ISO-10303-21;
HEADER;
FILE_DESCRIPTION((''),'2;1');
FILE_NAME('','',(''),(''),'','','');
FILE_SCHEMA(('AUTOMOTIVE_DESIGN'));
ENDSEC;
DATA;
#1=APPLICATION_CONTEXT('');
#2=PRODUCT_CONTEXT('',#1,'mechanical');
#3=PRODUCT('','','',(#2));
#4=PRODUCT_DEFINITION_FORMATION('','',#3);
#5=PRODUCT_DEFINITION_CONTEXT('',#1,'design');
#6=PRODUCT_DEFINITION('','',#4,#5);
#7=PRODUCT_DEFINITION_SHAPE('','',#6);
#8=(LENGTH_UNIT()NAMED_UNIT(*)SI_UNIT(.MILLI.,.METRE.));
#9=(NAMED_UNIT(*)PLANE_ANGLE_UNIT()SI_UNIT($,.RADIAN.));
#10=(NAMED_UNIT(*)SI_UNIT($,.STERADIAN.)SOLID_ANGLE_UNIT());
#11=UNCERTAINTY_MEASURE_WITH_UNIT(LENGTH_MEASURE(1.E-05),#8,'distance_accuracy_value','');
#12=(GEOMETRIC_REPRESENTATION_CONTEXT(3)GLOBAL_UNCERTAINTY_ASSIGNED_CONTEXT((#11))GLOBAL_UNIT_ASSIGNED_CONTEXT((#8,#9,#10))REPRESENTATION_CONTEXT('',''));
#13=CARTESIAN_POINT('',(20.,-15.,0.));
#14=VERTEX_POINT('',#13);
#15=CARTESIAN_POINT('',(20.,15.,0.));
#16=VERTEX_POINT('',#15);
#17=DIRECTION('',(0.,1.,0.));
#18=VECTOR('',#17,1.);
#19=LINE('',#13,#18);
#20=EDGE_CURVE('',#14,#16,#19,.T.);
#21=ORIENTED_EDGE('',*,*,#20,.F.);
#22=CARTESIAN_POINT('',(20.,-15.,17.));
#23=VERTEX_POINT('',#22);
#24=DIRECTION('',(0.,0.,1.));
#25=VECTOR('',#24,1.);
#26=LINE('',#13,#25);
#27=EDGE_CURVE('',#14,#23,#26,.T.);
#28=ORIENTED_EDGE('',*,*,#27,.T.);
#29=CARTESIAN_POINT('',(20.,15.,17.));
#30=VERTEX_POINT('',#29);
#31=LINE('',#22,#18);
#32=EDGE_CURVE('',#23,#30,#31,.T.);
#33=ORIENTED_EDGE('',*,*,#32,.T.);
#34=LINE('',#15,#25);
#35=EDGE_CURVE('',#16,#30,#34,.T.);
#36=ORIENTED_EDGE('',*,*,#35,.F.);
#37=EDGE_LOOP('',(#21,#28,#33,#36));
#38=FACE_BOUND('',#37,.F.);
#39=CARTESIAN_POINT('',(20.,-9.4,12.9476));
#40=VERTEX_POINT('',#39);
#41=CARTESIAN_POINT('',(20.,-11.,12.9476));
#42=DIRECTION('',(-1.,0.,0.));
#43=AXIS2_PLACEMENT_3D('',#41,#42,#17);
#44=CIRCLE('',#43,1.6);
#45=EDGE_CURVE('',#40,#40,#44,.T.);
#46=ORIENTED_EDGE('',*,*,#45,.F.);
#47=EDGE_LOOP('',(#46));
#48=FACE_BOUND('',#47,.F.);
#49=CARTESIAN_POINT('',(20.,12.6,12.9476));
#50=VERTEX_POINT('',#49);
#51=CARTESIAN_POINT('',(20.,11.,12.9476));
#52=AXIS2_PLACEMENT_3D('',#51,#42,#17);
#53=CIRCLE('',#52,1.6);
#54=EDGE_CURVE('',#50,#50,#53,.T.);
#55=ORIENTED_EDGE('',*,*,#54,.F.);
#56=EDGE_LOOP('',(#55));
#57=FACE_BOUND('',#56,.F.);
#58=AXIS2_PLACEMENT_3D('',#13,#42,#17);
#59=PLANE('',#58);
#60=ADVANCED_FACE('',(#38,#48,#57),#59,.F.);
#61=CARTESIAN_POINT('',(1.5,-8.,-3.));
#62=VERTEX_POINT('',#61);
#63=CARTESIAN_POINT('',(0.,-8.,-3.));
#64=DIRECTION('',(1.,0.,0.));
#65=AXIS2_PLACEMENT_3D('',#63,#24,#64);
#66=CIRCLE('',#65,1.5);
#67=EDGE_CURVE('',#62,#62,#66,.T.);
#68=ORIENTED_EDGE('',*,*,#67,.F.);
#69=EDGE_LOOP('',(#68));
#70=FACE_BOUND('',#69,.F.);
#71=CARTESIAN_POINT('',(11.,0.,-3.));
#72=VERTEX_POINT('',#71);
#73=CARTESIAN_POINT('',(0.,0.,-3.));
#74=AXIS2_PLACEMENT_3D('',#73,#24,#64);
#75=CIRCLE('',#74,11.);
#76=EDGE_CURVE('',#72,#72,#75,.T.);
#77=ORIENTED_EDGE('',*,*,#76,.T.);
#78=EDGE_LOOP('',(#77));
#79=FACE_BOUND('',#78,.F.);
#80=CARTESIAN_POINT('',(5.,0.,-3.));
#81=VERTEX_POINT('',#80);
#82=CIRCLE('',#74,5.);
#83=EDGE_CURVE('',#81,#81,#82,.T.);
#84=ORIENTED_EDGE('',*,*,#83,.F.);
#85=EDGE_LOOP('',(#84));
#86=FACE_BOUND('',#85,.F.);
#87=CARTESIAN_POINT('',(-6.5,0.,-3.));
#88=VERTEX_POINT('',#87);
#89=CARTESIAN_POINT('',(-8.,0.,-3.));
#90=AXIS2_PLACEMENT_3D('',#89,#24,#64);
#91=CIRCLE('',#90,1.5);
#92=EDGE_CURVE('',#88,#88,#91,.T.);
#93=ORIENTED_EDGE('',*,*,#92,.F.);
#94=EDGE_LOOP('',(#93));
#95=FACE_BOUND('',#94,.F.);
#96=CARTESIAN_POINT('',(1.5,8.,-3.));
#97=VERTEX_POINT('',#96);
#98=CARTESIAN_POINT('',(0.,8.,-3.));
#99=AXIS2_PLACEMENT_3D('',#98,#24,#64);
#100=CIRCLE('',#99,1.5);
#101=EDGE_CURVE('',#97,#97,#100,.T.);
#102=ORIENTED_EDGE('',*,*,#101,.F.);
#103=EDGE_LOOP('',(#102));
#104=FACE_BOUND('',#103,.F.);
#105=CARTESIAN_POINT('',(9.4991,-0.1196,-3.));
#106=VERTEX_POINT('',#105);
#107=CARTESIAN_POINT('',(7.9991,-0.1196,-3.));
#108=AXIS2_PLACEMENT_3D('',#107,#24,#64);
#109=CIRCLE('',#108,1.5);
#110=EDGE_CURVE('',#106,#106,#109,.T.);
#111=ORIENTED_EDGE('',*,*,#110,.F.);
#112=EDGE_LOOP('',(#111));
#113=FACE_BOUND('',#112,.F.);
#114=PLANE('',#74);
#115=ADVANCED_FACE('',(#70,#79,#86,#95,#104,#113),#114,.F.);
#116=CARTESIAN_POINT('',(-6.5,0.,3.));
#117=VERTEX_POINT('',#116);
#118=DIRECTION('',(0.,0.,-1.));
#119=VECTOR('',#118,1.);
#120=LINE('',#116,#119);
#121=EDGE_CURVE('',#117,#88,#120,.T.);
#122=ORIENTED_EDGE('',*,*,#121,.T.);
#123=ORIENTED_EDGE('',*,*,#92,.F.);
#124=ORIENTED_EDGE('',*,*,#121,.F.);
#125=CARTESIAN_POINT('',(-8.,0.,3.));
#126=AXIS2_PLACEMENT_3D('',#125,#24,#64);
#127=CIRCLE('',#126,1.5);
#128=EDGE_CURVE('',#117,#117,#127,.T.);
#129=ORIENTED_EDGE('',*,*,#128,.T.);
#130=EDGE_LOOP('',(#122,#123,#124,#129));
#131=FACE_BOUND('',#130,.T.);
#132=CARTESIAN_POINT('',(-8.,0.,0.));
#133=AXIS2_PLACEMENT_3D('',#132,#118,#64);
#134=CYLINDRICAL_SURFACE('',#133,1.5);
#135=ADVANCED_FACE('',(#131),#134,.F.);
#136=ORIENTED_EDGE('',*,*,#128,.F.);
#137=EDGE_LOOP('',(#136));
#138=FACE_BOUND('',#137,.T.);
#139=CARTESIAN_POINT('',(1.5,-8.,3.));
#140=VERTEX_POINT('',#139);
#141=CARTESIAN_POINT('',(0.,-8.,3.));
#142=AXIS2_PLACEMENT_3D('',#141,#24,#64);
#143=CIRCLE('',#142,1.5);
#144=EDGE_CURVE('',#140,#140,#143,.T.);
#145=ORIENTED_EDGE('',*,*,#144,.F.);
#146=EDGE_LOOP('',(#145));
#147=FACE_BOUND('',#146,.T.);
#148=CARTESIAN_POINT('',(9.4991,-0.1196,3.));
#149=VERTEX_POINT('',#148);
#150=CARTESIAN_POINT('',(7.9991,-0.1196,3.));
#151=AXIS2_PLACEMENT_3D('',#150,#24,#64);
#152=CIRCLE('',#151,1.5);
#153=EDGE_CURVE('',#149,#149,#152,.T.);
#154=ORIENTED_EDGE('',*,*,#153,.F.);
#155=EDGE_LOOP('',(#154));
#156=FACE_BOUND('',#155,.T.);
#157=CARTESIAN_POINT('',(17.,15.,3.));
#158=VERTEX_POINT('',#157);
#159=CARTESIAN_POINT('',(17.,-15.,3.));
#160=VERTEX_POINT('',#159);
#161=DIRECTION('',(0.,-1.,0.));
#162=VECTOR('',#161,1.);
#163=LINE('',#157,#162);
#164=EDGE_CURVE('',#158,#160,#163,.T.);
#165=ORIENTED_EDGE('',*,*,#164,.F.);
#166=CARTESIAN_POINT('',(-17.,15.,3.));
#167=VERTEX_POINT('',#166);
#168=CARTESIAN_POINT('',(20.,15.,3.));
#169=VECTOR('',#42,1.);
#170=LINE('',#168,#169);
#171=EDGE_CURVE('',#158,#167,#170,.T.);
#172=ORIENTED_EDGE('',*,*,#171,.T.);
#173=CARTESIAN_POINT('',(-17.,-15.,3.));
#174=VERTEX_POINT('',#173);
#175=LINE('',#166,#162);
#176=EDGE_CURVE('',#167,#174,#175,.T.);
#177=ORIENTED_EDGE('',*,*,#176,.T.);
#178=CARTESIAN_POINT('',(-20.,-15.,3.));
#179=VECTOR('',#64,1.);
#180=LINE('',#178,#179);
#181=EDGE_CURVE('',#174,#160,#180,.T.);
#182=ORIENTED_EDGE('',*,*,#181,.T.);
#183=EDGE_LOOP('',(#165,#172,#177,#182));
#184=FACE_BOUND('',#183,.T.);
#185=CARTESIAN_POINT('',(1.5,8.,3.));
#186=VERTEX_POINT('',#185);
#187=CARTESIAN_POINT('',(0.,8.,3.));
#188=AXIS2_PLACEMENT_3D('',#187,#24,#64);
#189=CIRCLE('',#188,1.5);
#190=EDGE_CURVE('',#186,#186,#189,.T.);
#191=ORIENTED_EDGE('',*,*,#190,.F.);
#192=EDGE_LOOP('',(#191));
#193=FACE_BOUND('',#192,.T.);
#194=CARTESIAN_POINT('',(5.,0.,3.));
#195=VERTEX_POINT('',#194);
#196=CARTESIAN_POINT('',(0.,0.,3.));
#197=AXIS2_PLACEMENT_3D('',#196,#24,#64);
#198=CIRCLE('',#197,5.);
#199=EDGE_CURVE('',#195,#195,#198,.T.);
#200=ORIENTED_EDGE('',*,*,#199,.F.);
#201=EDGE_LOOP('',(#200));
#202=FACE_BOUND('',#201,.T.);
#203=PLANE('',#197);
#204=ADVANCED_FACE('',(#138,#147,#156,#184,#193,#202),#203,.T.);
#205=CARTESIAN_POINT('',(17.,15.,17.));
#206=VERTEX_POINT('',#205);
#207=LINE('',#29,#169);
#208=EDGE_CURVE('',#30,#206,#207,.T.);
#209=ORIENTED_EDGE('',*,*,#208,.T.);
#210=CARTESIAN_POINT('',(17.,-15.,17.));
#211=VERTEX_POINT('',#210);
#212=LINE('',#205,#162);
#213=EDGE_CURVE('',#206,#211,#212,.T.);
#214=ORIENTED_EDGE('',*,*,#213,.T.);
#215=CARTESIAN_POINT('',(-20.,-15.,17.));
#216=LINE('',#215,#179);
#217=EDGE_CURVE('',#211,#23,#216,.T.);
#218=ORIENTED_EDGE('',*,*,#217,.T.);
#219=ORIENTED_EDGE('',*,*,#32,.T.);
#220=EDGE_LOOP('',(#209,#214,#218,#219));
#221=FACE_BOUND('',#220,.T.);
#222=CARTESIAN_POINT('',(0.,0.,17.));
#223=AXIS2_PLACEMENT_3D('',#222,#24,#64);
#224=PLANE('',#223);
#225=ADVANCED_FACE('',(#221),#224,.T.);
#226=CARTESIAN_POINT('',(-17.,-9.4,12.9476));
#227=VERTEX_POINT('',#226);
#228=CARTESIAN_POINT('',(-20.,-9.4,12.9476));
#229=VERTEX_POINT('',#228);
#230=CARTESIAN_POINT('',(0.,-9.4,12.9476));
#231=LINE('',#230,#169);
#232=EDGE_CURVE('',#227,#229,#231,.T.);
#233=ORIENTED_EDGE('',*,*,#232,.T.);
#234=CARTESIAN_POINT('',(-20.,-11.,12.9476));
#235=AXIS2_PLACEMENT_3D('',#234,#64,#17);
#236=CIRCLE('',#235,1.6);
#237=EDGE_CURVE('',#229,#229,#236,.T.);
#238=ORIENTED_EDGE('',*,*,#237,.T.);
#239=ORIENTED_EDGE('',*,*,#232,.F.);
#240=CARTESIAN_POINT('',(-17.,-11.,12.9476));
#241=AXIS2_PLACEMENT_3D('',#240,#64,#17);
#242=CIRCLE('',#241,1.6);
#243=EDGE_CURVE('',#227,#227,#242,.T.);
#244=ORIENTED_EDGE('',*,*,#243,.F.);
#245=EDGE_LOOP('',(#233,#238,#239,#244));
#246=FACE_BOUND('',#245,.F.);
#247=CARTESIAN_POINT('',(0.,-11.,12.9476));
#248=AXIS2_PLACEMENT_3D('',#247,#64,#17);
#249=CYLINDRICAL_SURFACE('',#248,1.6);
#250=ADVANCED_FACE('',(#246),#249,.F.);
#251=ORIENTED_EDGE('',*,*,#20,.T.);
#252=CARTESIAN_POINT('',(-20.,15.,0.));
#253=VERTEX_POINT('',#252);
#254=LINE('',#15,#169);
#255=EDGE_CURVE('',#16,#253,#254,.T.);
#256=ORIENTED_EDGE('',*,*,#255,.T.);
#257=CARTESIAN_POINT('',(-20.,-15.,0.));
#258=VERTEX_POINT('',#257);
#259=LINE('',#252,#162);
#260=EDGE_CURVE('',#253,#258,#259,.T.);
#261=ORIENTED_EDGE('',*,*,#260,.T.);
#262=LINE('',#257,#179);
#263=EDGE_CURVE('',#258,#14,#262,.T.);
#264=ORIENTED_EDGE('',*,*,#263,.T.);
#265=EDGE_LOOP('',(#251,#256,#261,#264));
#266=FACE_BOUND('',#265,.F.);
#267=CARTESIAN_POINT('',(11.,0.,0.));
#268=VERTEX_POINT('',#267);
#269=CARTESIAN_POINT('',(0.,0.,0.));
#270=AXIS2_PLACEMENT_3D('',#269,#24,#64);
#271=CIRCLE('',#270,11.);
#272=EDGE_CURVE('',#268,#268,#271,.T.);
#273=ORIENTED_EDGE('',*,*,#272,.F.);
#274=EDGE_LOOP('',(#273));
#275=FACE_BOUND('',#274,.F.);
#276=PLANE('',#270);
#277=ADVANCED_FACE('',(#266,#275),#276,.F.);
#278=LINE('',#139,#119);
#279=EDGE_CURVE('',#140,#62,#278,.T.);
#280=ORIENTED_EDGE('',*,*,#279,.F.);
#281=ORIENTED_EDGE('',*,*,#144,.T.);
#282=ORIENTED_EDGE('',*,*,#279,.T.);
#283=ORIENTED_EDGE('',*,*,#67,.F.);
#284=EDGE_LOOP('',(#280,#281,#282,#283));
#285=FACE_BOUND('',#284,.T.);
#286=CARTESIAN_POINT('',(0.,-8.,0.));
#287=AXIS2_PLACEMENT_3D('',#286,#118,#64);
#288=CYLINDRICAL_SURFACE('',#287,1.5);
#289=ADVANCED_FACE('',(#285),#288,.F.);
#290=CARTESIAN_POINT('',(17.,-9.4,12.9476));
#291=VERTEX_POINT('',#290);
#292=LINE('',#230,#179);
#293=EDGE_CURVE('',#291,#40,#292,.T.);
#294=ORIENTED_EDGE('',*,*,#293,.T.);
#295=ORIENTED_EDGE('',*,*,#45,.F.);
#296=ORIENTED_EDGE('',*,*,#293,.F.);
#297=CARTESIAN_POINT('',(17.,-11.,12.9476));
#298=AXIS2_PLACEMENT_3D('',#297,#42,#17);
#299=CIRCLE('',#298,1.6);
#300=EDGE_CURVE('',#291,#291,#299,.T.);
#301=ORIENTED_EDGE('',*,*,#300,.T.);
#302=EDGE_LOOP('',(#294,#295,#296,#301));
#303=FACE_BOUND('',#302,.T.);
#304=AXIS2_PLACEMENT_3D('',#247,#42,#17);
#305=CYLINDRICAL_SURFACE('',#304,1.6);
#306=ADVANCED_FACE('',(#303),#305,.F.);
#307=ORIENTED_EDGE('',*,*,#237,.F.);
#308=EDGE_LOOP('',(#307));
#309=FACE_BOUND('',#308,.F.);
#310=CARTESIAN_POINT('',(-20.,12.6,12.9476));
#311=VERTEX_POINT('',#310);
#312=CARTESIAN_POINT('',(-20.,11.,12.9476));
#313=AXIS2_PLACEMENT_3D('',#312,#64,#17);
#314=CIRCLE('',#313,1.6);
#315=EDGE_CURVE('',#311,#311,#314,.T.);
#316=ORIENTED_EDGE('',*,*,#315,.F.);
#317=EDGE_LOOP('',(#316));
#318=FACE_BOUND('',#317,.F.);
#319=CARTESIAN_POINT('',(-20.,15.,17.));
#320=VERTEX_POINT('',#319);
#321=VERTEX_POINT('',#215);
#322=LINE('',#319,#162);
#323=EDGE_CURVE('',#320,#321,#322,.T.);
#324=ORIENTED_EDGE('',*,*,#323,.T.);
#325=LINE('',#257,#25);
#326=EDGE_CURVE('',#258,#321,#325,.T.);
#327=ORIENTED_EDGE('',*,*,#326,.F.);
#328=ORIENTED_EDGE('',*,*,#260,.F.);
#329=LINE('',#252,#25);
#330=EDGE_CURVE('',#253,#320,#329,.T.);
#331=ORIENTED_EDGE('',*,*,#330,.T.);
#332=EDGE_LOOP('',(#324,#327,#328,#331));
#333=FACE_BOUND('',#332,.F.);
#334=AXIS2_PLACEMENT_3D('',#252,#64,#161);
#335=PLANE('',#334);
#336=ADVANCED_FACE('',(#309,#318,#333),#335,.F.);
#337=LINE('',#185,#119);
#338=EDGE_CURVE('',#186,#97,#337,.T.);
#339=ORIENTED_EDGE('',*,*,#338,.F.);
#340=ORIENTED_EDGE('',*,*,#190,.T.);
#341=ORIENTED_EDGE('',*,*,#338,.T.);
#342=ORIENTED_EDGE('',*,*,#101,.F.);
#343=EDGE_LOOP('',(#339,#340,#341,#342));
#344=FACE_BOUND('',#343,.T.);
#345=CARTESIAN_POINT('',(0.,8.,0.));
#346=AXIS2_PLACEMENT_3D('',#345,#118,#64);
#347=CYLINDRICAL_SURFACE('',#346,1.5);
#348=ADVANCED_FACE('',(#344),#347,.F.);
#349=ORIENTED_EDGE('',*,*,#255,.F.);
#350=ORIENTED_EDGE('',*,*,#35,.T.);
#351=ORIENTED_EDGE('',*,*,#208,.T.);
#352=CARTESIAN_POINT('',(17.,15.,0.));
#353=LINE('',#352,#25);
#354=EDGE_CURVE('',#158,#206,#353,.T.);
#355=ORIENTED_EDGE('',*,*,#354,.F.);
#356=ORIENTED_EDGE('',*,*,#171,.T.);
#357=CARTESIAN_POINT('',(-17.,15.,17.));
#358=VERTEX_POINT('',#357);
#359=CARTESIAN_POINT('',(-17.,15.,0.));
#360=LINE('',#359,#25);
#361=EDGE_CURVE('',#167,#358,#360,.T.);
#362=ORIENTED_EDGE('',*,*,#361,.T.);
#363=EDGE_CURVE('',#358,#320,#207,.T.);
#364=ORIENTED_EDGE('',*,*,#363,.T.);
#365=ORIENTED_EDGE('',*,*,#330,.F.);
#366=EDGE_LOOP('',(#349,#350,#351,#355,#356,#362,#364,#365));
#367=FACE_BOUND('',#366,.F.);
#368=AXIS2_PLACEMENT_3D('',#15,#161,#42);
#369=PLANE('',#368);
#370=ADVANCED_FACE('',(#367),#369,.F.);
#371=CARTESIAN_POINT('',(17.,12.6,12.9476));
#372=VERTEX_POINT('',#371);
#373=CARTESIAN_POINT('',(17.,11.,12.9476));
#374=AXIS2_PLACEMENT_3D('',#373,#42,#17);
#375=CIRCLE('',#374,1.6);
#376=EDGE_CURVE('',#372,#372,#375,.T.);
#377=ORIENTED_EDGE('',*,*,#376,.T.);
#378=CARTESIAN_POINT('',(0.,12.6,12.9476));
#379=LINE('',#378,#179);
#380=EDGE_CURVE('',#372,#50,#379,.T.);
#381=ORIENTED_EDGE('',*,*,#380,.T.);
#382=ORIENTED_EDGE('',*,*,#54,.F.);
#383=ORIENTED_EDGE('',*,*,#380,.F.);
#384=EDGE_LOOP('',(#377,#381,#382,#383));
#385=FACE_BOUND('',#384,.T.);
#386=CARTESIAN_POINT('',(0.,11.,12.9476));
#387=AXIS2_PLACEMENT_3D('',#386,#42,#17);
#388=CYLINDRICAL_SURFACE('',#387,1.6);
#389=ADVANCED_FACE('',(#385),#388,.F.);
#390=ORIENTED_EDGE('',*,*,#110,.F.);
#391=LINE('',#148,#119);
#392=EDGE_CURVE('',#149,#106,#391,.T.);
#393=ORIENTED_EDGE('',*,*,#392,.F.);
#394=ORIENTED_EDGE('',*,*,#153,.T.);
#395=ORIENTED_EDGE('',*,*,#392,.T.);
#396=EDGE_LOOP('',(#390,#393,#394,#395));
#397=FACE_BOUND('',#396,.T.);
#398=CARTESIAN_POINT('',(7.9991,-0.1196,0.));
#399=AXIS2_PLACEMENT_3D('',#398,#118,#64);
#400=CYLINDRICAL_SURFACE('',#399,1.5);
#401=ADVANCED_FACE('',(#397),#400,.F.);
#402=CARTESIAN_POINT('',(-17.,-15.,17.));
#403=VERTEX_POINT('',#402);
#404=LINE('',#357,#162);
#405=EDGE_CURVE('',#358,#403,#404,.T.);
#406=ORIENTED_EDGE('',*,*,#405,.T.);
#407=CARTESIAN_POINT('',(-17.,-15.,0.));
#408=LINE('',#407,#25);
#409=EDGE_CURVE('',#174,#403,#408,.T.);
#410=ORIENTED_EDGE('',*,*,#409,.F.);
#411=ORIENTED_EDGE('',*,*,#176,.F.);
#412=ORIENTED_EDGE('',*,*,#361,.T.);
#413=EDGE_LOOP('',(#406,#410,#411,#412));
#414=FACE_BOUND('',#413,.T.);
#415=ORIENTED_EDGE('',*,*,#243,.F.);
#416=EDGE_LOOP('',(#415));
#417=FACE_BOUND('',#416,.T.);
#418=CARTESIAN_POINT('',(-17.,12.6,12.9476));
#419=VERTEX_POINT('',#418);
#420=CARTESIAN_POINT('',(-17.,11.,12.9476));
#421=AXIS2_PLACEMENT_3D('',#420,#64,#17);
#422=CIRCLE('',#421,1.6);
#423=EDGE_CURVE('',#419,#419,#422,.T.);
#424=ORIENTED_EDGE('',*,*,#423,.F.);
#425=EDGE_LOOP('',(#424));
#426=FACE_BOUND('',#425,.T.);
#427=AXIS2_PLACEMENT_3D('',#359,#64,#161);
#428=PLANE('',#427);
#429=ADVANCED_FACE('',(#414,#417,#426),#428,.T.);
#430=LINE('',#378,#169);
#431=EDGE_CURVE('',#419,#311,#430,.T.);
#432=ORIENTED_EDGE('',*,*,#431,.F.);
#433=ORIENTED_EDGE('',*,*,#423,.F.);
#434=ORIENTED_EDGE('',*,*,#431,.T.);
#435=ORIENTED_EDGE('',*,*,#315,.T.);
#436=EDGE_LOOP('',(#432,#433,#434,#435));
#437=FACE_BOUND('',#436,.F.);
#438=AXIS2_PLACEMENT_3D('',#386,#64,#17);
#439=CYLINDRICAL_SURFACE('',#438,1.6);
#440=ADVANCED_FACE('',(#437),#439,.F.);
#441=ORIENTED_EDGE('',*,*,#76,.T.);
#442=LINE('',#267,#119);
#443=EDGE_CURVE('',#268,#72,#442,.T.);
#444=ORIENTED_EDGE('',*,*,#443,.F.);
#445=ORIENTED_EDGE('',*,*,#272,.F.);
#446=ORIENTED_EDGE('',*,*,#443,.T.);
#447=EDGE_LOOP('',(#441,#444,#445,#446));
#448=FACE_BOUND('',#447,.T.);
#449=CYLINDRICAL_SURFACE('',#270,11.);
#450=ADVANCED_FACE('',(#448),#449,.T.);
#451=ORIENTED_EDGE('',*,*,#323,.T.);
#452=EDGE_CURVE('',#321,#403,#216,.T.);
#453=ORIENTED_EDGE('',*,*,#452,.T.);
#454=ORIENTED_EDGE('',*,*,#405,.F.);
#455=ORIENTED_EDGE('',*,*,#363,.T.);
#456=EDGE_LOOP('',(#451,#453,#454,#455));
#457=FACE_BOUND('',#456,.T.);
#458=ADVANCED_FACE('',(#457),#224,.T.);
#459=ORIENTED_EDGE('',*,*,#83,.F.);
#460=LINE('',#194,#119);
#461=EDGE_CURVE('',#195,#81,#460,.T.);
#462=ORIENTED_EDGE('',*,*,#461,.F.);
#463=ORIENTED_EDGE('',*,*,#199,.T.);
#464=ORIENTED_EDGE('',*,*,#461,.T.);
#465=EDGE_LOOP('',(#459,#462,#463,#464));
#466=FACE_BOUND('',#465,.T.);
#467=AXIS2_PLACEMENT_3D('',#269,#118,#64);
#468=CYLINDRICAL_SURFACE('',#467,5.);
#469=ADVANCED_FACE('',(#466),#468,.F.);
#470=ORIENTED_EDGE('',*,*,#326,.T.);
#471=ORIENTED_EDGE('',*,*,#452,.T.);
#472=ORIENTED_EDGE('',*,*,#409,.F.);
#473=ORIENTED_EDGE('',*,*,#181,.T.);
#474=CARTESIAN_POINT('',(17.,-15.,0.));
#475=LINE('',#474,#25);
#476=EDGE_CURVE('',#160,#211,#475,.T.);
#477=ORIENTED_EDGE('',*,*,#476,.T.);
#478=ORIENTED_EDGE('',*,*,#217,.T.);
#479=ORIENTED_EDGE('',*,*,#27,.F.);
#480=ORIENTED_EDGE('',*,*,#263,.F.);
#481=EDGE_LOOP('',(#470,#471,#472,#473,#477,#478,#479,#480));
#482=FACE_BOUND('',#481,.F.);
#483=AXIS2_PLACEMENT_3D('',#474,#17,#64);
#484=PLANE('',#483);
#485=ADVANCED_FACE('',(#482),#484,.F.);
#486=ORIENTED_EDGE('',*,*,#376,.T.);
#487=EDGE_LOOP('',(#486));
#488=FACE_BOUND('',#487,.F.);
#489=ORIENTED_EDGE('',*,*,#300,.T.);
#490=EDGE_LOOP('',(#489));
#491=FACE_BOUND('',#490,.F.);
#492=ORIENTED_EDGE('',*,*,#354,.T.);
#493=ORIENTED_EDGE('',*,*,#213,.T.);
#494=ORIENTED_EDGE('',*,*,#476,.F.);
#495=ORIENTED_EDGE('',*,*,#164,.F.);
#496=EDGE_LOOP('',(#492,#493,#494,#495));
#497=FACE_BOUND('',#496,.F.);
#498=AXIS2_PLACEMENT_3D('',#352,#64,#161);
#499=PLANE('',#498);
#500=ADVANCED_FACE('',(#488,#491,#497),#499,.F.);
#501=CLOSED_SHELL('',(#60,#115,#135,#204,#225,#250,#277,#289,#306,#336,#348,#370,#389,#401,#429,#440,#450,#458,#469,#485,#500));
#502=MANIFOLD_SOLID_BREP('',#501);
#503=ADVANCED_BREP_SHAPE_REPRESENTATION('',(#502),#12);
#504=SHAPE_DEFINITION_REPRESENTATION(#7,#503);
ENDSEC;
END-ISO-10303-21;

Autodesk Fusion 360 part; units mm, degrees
sketch "Sketch1" plane through (0, 0, 0) normal (0, 0, 1) x (1, 0, 0)
  line L0 (20, 15) -> (-20, 15)
  line L1 (-20, 15) -> (-20, -15)
  line L2 (-20, -15) -> (20, -15)
  line L3 (20, -15) -> (20, 15)
  line L4 (20, 15) -> (-20, -15) construction
  line L5 (-20, 15) -> (20, -15) construction
  circle A0 centre (0, 0) radius 11
  circle A1 centre (0, 0) radius 8 construction
  circle A2 centre (0, 0) radius 5
  circle A3 centre (0, 8) radius 1.5
  circle A4 centre (0, -8) radius 1.5
  circle A5 centre (7.9991, -0.1196) radius 1.5
  circle A6 centre (-8, 0) radius 1.5
  line L6 (-20, 15) -> (-17, 15)
  line L7 (-17, 15) -> (-17, -15)
  line L8 (-17, -15) -> (-20, -15)
  line L9 (-20, -15) -> (-20, 15)
  line L10 (-20, 15) -> (-17, -15) construction
  line L11 (-17, 15) -> (-20, -15) construction
  line L12 (0, 15) -> (0, -15) construction
  line L13 (20, -15) -> (20, 15)
  line L14 (17, 15) -> (17, -15)
  line L15 (17, -15) -> (20, -15)
  line L16 (20, 15) -> (17, 15)
  point P0 (-18.5, 0)
  dimension "d1" = 40
  dimension "d2" = 30
  dimension "d3" = 22
  dimension "d4" = 16
  dimension "d5" = 10
  dimension "d6" = 3
  dimension "d7" = 3
  dimension "d9" = 3
  dimension "d10" = 3
  dimension "d11" = 30
  dimension "d12" = 3
extrude "Extrude1" add sketch "Sketch1" along normal blind 3 contours L0 L2 L7 L14
extrude "Extrude2" add sketch "Sketch1" along normal blind 3 contours A0
extrude "Extrude3" add sketch "Sketch1" against normal blind 3 contours A0
extrude "Extrude4" add sketch "Sketch1" along normal blind 17 contours L0 L1 L2 L6 L7 L8 L9
extrude "Extrude5" add sketch "Sketch1" along normal blind 17 contours L0 L2 L3 L13 L14 L15 L16
sketch "Sketch2" plane through (0, 0, 0) normal (1, 0, 0) x (0, 1, 0)
  line L0 (-15, 12.9476) -> (15, 12.9476) construction
  line L1 (-15, 16.9476) -> (15, 16.9476) construction
  line L2 (0, 16.9476) -> (0, 0) construction
  line L3 (-11, 16.9476) -> (-11, 0) construction
  line L4 (11, 16.9476) -> (11, 0) construction
  circle A0 centre (-11, 12.9476) radius 1.6
  circle A1 centre (11, 12.9476) radius 1.6
  dimension "d23" = 4
  dimension "d24" = 11
  dimension "d25" = 3.2
extrude "Extrude6" cut sketch "Sketch2" along normal blind 28
extrude "Extrude7" cut sketch "Sketch2" against normal blind 25
